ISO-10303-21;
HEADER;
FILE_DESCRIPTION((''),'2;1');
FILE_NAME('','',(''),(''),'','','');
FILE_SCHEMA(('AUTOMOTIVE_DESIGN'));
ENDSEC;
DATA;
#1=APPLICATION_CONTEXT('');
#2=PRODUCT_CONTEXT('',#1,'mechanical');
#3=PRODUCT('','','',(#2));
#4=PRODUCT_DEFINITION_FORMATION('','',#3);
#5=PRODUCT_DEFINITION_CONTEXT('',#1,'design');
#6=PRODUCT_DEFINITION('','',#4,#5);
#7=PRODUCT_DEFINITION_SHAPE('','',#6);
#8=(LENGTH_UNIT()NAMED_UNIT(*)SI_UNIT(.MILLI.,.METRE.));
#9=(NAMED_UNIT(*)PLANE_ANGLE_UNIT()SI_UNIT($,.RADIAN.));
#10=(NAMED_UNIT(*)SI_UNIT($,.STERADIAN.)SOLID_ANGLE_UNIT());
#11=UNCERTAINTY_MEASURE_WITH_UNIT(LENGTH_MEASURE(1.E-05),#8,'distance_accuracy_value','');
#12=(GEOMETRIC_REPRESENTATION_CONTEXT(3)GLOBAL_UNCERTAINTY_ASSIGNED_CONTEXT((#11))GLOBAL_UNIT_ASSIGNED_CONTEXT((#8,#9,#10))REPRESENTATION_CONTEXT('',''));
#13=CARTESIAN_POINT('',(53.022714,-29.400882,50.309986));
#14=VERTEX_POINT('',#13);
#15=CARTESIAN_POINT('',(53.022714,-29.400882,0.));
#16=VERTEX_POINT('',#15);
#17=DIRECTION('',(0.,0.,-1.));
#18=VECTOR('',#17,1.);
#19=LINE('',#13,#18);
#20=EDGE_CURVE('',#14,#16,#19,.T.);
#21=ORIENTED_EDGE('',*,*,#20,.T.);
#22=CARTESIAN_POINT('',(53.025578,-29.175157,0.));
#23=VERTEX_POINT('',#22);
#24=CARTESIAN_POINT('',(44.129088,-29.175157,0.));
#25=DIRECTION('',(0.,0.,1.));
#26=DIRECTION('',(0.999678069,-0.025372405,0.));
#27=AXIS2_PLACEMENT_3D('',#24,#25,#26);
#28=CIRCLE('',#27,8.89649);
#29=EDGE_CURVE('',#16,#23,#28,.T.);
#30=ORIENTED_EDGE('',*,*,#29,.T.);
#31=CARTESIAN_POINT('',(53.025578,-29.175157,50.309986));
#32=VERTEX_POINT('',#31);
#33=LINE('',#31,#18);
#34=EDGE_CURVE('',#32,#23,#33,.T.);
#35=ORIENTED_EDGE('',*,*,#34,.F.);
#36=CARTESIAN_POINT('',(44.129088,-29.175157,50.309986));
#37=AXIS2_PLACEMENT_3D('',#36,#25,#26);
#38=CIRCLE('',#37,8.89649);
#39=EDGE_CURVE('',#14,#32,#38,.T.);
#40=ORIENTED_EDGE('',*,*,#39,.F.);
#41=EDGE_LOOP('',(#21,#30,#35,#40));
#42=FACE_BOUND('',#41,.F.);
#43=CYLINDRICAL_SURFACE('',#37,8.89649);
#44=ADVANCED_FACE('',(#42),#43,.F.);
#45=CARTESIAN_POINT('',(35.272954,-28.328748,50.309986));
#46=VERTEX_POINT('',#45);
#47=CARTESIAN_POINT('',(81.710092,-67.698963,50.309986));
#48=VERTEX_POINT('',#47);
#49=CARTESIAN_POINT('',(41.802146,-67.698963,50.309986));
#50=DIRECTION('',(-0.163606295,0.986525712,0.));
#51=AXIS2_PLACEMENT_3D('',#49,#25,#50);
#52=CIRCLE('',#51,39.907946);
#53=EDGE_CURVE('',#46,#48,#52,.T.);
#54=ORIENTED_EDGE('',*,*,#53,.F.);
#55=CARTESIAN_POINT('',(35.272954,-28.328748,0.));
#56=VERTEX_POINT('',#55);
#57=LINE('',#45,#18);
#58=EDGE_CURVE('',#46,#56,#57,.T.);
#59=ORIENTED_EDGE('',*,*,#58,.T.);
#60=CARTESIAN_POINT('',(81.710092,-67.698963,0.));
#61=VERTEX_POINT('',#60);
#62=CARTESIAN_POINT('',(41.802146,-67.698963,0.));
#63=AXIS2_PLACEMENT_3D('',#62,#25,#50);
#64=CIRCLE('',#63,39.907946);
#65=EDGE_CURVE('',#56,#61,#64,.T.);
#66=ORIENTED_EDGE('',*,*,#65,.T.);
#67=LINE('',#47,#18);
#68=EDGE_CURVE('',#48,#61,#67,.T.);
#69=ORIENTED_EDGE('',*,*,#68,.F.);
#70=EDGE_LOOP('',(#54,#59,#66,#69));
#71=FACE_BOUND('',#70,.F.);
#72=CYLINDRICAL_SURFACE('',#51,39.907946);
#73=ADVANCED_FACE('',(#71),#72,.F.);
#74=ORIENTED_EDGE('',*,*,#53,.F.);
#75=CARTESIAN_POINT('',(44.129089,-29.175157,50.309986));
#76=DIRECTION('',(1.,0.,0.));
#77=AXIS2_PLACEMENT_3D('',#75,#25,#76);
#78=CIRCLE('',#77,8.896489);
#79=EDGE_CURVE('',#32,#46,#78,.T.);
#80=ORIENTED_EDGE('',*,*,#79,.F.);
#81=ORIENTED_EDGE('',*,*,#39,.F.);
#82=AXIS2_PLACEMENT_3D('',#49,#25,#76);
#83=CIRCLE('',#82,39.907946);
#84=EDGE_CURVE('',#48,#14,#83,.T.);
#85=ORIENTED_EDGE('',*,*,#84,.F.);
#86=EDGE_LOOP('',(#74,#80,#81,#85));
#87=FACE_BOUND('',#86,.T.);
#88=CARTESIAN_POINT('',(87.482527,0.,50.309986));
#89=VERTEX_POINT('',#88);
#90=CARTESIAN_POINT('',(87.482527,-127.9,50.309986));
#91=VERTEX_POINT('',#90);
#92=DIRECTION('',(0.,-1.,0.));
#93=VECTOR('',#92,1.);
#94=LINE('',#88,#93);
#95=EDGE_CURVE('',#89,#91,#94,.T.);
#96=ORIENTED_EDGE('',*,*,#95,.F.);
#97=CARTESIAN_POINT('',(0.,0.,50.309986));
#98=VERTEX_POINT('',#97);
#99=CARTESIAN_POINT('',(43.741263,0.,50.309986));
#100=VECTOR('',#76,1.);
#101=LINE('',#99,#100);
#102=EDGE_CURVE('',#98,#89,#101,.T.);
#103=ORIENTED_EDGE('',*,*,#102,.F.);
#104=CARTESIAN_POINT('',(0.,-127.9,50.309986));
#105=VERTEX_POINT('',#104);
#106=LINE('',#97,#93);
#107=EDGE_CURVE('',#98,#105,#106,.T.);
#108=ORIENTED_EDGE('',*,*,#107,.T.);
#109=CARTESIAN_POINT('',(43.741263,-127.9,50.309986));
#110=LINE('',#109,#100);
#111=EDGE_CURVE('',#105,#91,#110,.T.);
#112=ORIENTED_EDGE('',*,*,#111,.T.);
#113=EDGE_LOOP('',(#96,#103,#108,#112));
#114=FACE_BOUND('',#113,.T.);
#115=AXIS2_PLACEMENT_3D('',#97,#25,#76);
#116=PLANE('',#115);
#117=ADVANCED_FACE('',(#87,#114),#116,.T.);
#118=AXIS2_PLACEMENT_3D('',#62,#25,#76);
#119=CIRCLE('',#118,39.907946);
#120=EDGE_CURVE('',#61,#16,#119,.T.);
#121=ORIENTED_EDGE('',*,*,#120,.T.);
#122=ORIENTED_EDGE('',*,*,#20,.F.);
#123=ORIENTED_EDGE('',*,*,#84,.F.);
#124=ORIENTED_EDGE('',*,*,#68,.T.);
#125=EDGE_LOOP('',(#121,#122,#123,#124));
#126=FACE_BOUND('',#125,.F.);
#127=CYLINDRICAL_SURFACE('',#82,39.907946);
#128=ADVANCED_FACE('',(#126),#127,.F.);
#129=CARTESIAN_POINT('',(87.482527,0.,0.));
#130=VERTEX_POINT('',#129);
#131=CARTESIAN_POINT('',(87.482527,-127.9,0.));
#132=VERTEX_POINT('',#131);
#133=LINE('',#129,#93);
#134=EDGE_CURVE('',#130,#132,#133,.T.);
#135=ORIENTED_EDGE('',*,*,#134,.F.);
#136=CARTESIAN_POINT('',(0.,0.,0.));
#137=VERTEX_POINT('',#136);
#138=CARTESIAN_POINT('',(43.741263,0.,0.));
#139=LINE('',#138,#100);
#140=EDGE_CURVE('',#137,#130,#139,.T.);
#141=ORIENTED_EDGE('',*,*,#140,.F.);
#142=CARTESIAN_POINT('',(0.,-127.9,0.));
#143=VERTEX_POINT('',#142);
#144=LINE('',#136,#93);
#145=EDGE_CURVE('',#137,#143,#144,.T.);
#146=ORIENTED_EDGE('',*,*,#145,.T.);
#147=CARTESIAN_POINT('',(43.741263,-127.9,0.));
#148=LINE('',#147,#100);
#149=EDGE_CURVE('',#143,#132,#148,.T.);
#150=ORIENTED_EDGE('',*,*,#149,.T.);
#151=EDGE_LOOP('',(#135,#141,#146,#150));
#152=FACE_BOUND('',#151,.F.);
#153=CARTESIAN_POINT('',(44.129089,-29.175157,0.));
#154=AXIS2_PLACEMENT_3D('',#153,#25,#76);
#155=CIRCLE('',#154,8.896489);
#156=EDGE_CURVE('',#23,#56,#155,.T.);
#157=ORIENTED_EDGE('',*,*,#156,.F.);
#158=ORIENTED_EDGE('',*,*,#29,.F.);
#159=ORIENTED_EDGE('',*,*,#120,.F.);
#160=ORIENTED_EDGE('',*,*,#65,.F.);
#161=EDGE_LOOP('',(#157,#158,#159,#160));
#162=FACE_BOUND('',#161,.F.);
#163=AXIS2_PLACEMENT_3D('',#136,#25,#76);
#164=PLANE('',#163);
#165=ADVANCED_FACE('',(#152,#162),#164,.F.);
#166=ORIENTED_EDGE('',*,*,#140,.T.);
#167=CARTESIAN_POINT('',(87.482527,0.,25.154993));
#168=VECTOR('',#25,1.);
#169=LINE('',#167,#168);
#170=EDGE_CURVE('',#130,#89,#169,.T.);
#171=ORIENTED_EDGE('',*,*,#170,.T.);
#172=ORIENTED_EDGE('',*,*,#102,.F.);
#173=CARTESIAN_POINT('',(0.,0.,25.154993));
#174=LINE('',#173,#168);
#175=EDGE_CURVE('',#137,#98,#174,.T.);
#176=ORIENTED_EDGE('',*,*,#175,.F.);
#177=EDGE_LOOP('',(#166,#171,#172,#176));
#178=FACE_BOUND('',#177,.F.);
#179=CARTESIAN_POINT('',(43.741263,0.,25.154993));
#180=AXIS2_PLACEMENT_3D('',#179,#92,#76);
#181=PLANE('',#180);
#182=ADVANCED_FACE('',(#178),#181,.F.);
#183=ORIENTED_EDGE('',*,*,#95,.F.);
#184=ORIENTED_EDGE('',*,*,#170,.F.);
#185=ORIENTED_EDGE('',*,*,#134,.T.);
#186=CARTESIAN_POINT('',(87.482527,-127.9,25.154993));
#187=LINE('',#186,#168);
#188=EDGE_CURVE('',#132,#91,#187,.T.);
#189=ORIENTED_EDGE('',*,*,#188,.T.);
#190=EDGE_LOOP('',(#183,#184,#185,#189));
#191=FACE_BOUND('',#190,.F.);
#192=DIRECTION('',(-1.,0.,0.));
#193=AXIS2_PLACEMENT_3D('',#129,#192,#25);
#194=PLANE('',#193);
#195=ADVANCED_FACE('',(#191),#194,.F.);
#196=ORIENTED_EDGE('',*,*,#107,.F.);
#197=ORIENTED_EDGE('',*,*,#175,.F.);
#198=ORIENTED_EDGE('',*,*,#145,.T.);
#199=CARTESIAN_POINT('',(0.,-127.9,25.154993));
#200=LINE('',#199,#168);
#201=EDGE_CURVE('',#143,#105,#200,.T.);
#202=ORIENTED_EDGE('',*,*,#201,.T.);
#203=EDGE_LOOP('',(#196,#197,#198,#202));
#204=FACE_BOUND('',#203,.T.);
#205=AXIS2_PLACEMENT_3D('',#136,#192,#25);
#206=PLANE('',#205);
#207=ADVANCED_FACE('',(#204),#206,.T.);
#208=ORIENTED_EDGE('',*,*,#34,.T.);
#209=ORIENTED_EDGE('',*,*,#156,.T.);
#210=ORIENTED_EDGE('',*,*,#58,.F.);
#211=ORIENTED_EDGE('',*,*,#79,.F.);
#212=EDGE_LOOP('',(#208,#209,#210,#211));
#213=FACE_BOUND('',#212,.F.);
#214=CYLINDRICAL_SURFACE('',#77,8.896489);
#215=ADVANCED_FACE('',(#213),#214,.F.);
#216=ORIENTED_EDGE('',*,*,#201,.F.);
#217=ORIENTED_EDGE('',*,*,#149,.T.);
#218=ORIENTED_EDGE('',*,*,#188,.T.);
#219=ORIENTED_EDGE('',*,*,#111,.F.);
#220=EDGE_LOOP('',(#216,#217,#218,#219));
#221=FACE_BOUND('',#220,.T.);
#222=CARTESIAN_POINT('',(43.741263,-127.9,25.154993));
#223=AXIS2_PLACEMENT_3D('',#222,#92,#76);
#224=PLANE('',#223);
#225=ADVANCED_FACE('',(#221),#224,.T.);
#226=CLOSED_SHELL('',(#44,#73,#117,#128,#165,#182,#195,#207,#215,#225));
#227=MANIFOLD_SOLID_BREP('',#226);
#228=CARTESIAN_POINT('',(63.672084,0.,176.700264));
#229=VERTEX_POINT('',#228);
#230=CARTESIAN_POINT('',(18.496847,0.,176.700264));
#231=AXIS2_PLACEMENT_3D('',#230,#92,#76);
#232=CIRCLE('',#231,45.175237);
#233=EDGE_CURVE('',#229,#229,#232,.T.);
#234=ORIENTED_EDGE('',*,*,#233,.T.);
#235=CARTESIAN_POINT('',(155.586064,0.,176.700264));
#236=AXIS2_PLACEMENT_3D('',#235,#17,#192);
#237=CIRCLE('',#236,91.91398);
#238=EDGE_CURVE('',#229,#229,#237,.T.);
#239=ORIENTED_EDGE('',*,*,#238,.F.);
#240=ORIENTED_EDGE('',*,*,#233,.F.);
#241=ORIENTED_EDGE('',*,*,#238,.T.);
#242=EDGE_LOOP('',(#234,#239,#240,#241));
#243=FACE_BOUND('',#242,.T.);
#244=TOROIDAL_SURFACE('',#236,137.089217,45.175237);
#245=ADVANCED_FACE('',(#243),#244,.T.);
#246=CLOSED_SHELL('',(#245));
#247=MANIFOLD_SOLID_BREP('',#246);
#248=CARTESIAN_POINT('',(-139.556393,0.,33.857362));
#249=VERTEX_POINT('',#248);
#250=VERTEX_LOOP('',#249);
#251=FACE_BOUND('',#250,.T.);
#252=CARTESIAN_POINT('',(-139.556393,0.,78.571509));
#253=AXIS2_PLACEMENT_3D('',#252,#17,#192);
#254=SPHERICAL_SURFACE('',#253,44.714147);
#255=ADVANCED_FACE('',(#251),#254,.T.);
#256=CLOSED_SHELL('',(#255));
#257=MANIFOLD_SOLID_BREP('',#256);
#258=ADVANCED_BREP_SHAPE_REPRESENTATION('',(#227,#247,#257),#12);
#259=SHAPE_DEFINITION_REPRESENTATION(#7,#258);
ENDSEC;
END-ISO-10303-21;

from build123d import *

# Parameters (mm, degrees)
F0_W     = 87.4825268984
F0_H     = 50.3099858761
F1_DEPTH = 127.9
F3_DEPTH = 83.7
F6_R     = 45.17523681


with BuildPart() as f1:
    # F0 (on Front) → F1 (new body)
    with BuildSketch(Plane.XZ):
        with Locations((43.7412634492, 25.154992938)):
            Rectangle(F0_W, F0_H)
    extrude(amount=F1_DEPTH)

    # F2 (on face) → F3 (cut)
    with BuildSketch(Plane.XY.offset(50.3099858761)):
        with BuildLine():
            ThreePointArc((53.0227136582, -29.4008820658), (44.2083089003, -27.8636202746), (35.2729543423, -28.3287481867))
            ThreePointArc((35.2729543423, -28.3287481867), (43.5926939306, -38.0554608243), (53.0227136582, -29.4008820658))
        make_face()
        with BuildLine():
            ThreePointArc((53.0227136582, -29.4008820658), (53.0248616732, -29.2880284812), (53.0255777167, -29.1751567274))
            ThreePointArc((53.0255777167, -29.1751567274), (44.5527735294, -20.2887620129), (35.2729543423, -28.3287481867))
            ThreePointArc((35.2729543423, -28.3287481867), (44.2083089003, -27.8636202746), (53.0227136582, -29.4008820658))
        make_face()
        with BuildLine():
            ThreePointArc((53.0227136582, -29.4008820658), (43.5926939306, -38.0554608243), (35.2729543423, -28.3287481867))
            ThreePointArc((35.2729543423, -28.3287481867), (15.994418582, -98.1391564864), (81.710091505, -67.6989629865))
            ThreePointArc((81.710091505, -67.6989629865), (73.7429812938, -43.7735128865), (53.0227136582, -29.4008820658))
        make_face()
    extrude(amount=-F3_DEPTH, mode=Mode.SUBTRACT)


with BuildPart() as f5:
    # F4 (on Front) → F5 (revolve)
    with BuildSketch(Plane.XZ):
        with BuildLine():
            Line((-139.5563930273, 33.85736208), (-139.5563930273, 123.2856551971))
            ThreePointArc((-139.5563930273, 123.2856551971), (-184.2705395859, 78.5715086386), (-139.5563930273, 33.85736208))
        make_face()
    revolve(axis=Axis((-139.5563930273, 0, 78.5715086386), (0, 0, -1)))


with BuildPart() as f7:
    # F6 (on Front) → F7 (revolve)
    with BuildSketch(Plane.XZ):
        with Locations((18.4968467802, 176.7002642155)):
            Circle(F6_R)
    revolve(axis=Axis((155.5860638618, 0, 160.7666350901), (0, 0, -1)))


solid = Compound([f1.part, f5.part, f7.part])
